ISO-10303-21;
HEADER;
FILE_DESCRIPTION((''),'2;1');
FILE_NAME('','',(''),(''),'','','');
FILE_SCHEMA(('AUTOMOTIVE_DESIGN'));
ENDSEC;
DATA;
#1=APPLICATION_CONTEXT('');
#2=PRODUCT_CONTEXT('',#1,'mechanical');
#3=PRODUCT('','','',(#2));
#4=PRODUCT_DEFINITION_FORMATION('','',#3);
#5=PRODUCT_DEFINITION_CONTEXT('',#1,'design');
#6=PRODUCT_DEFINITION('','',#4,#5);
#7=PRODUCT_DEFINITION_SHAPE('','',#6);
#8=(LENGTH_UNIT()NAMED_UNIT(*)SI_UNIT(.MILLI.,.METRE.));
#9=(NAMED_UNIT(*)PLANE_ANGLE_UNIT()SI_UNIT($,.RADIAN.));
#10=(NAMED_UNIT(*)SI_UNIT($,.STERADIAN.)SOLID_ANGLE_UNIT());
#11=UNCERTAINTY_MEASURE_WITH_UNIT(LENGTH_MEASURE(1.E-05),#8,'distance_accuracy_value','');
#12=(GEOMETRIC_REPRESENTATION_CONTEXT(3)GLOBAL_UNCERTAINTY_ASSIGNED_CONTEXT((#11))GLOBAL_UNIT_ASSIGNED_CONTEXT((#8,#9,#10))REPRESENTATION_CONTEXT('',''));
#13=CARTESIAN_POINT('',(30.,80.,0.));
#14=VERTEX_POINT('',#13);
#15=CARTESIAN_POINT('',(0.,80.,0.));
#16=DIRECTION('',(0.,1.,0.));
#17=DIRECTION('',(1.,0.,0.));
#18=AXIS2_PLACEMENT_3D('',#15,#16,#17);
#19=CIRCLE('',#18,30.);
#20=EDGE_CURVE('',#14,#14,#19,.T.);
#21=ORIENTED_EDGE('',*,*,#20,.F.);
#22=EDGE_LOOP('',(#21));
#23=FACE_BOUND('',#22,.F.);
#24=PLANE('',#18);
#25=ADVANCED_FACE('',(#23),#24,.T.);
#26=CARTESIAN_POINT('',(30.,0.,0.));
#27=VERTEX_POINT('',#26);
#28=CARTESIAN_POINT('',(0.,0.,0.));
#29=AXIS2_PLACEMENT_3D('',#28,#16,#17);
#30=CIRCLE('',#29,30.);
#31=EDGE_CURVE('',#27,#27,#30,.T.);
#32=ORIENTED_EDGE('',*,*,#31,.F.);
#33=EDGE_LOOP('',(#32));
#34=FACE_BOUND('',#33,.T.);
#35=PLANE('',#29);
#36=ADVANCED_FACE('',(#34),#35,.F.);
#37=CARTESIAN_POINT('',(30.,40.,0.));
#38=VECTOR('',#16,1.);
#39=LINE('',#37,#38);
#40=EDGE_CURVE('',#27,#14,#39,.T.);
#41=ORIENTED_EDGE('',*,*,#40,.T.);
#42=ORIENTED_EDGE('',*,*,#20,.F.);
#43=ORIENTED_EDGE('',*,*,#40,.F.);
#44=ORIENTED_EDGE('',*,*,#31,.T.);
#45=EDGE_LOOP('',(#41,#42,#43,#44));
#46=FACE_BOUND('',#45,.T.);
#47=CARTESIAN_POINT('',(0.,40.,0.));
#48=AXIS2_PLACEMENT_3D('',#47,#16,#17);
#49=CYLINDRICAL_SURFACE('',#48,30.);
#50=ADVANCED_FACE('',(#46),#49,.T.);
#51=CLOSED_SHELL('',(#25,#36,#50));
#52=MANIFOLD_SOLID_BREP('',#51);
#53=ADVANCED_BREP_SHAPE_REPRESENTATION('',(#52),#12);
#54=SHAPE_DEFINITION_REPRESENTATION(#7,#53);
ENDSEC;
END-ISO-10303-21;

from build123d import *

# Parameters (mm, degrees)
ESBO_O1_W = 30
ESBO_O1_H = 80


with BuildPart() as part:
    # Esboço1 → Revolução1 (revolve)
    with BuildSketch(Plane.XY):
        with Locations((15, 40)):
            Rectangle(ESBO_O1_W, ESBO_O1_H)
    revolve(axis=Axis((0, 0, 0), (0, 1, 0)))


solid = part.part
